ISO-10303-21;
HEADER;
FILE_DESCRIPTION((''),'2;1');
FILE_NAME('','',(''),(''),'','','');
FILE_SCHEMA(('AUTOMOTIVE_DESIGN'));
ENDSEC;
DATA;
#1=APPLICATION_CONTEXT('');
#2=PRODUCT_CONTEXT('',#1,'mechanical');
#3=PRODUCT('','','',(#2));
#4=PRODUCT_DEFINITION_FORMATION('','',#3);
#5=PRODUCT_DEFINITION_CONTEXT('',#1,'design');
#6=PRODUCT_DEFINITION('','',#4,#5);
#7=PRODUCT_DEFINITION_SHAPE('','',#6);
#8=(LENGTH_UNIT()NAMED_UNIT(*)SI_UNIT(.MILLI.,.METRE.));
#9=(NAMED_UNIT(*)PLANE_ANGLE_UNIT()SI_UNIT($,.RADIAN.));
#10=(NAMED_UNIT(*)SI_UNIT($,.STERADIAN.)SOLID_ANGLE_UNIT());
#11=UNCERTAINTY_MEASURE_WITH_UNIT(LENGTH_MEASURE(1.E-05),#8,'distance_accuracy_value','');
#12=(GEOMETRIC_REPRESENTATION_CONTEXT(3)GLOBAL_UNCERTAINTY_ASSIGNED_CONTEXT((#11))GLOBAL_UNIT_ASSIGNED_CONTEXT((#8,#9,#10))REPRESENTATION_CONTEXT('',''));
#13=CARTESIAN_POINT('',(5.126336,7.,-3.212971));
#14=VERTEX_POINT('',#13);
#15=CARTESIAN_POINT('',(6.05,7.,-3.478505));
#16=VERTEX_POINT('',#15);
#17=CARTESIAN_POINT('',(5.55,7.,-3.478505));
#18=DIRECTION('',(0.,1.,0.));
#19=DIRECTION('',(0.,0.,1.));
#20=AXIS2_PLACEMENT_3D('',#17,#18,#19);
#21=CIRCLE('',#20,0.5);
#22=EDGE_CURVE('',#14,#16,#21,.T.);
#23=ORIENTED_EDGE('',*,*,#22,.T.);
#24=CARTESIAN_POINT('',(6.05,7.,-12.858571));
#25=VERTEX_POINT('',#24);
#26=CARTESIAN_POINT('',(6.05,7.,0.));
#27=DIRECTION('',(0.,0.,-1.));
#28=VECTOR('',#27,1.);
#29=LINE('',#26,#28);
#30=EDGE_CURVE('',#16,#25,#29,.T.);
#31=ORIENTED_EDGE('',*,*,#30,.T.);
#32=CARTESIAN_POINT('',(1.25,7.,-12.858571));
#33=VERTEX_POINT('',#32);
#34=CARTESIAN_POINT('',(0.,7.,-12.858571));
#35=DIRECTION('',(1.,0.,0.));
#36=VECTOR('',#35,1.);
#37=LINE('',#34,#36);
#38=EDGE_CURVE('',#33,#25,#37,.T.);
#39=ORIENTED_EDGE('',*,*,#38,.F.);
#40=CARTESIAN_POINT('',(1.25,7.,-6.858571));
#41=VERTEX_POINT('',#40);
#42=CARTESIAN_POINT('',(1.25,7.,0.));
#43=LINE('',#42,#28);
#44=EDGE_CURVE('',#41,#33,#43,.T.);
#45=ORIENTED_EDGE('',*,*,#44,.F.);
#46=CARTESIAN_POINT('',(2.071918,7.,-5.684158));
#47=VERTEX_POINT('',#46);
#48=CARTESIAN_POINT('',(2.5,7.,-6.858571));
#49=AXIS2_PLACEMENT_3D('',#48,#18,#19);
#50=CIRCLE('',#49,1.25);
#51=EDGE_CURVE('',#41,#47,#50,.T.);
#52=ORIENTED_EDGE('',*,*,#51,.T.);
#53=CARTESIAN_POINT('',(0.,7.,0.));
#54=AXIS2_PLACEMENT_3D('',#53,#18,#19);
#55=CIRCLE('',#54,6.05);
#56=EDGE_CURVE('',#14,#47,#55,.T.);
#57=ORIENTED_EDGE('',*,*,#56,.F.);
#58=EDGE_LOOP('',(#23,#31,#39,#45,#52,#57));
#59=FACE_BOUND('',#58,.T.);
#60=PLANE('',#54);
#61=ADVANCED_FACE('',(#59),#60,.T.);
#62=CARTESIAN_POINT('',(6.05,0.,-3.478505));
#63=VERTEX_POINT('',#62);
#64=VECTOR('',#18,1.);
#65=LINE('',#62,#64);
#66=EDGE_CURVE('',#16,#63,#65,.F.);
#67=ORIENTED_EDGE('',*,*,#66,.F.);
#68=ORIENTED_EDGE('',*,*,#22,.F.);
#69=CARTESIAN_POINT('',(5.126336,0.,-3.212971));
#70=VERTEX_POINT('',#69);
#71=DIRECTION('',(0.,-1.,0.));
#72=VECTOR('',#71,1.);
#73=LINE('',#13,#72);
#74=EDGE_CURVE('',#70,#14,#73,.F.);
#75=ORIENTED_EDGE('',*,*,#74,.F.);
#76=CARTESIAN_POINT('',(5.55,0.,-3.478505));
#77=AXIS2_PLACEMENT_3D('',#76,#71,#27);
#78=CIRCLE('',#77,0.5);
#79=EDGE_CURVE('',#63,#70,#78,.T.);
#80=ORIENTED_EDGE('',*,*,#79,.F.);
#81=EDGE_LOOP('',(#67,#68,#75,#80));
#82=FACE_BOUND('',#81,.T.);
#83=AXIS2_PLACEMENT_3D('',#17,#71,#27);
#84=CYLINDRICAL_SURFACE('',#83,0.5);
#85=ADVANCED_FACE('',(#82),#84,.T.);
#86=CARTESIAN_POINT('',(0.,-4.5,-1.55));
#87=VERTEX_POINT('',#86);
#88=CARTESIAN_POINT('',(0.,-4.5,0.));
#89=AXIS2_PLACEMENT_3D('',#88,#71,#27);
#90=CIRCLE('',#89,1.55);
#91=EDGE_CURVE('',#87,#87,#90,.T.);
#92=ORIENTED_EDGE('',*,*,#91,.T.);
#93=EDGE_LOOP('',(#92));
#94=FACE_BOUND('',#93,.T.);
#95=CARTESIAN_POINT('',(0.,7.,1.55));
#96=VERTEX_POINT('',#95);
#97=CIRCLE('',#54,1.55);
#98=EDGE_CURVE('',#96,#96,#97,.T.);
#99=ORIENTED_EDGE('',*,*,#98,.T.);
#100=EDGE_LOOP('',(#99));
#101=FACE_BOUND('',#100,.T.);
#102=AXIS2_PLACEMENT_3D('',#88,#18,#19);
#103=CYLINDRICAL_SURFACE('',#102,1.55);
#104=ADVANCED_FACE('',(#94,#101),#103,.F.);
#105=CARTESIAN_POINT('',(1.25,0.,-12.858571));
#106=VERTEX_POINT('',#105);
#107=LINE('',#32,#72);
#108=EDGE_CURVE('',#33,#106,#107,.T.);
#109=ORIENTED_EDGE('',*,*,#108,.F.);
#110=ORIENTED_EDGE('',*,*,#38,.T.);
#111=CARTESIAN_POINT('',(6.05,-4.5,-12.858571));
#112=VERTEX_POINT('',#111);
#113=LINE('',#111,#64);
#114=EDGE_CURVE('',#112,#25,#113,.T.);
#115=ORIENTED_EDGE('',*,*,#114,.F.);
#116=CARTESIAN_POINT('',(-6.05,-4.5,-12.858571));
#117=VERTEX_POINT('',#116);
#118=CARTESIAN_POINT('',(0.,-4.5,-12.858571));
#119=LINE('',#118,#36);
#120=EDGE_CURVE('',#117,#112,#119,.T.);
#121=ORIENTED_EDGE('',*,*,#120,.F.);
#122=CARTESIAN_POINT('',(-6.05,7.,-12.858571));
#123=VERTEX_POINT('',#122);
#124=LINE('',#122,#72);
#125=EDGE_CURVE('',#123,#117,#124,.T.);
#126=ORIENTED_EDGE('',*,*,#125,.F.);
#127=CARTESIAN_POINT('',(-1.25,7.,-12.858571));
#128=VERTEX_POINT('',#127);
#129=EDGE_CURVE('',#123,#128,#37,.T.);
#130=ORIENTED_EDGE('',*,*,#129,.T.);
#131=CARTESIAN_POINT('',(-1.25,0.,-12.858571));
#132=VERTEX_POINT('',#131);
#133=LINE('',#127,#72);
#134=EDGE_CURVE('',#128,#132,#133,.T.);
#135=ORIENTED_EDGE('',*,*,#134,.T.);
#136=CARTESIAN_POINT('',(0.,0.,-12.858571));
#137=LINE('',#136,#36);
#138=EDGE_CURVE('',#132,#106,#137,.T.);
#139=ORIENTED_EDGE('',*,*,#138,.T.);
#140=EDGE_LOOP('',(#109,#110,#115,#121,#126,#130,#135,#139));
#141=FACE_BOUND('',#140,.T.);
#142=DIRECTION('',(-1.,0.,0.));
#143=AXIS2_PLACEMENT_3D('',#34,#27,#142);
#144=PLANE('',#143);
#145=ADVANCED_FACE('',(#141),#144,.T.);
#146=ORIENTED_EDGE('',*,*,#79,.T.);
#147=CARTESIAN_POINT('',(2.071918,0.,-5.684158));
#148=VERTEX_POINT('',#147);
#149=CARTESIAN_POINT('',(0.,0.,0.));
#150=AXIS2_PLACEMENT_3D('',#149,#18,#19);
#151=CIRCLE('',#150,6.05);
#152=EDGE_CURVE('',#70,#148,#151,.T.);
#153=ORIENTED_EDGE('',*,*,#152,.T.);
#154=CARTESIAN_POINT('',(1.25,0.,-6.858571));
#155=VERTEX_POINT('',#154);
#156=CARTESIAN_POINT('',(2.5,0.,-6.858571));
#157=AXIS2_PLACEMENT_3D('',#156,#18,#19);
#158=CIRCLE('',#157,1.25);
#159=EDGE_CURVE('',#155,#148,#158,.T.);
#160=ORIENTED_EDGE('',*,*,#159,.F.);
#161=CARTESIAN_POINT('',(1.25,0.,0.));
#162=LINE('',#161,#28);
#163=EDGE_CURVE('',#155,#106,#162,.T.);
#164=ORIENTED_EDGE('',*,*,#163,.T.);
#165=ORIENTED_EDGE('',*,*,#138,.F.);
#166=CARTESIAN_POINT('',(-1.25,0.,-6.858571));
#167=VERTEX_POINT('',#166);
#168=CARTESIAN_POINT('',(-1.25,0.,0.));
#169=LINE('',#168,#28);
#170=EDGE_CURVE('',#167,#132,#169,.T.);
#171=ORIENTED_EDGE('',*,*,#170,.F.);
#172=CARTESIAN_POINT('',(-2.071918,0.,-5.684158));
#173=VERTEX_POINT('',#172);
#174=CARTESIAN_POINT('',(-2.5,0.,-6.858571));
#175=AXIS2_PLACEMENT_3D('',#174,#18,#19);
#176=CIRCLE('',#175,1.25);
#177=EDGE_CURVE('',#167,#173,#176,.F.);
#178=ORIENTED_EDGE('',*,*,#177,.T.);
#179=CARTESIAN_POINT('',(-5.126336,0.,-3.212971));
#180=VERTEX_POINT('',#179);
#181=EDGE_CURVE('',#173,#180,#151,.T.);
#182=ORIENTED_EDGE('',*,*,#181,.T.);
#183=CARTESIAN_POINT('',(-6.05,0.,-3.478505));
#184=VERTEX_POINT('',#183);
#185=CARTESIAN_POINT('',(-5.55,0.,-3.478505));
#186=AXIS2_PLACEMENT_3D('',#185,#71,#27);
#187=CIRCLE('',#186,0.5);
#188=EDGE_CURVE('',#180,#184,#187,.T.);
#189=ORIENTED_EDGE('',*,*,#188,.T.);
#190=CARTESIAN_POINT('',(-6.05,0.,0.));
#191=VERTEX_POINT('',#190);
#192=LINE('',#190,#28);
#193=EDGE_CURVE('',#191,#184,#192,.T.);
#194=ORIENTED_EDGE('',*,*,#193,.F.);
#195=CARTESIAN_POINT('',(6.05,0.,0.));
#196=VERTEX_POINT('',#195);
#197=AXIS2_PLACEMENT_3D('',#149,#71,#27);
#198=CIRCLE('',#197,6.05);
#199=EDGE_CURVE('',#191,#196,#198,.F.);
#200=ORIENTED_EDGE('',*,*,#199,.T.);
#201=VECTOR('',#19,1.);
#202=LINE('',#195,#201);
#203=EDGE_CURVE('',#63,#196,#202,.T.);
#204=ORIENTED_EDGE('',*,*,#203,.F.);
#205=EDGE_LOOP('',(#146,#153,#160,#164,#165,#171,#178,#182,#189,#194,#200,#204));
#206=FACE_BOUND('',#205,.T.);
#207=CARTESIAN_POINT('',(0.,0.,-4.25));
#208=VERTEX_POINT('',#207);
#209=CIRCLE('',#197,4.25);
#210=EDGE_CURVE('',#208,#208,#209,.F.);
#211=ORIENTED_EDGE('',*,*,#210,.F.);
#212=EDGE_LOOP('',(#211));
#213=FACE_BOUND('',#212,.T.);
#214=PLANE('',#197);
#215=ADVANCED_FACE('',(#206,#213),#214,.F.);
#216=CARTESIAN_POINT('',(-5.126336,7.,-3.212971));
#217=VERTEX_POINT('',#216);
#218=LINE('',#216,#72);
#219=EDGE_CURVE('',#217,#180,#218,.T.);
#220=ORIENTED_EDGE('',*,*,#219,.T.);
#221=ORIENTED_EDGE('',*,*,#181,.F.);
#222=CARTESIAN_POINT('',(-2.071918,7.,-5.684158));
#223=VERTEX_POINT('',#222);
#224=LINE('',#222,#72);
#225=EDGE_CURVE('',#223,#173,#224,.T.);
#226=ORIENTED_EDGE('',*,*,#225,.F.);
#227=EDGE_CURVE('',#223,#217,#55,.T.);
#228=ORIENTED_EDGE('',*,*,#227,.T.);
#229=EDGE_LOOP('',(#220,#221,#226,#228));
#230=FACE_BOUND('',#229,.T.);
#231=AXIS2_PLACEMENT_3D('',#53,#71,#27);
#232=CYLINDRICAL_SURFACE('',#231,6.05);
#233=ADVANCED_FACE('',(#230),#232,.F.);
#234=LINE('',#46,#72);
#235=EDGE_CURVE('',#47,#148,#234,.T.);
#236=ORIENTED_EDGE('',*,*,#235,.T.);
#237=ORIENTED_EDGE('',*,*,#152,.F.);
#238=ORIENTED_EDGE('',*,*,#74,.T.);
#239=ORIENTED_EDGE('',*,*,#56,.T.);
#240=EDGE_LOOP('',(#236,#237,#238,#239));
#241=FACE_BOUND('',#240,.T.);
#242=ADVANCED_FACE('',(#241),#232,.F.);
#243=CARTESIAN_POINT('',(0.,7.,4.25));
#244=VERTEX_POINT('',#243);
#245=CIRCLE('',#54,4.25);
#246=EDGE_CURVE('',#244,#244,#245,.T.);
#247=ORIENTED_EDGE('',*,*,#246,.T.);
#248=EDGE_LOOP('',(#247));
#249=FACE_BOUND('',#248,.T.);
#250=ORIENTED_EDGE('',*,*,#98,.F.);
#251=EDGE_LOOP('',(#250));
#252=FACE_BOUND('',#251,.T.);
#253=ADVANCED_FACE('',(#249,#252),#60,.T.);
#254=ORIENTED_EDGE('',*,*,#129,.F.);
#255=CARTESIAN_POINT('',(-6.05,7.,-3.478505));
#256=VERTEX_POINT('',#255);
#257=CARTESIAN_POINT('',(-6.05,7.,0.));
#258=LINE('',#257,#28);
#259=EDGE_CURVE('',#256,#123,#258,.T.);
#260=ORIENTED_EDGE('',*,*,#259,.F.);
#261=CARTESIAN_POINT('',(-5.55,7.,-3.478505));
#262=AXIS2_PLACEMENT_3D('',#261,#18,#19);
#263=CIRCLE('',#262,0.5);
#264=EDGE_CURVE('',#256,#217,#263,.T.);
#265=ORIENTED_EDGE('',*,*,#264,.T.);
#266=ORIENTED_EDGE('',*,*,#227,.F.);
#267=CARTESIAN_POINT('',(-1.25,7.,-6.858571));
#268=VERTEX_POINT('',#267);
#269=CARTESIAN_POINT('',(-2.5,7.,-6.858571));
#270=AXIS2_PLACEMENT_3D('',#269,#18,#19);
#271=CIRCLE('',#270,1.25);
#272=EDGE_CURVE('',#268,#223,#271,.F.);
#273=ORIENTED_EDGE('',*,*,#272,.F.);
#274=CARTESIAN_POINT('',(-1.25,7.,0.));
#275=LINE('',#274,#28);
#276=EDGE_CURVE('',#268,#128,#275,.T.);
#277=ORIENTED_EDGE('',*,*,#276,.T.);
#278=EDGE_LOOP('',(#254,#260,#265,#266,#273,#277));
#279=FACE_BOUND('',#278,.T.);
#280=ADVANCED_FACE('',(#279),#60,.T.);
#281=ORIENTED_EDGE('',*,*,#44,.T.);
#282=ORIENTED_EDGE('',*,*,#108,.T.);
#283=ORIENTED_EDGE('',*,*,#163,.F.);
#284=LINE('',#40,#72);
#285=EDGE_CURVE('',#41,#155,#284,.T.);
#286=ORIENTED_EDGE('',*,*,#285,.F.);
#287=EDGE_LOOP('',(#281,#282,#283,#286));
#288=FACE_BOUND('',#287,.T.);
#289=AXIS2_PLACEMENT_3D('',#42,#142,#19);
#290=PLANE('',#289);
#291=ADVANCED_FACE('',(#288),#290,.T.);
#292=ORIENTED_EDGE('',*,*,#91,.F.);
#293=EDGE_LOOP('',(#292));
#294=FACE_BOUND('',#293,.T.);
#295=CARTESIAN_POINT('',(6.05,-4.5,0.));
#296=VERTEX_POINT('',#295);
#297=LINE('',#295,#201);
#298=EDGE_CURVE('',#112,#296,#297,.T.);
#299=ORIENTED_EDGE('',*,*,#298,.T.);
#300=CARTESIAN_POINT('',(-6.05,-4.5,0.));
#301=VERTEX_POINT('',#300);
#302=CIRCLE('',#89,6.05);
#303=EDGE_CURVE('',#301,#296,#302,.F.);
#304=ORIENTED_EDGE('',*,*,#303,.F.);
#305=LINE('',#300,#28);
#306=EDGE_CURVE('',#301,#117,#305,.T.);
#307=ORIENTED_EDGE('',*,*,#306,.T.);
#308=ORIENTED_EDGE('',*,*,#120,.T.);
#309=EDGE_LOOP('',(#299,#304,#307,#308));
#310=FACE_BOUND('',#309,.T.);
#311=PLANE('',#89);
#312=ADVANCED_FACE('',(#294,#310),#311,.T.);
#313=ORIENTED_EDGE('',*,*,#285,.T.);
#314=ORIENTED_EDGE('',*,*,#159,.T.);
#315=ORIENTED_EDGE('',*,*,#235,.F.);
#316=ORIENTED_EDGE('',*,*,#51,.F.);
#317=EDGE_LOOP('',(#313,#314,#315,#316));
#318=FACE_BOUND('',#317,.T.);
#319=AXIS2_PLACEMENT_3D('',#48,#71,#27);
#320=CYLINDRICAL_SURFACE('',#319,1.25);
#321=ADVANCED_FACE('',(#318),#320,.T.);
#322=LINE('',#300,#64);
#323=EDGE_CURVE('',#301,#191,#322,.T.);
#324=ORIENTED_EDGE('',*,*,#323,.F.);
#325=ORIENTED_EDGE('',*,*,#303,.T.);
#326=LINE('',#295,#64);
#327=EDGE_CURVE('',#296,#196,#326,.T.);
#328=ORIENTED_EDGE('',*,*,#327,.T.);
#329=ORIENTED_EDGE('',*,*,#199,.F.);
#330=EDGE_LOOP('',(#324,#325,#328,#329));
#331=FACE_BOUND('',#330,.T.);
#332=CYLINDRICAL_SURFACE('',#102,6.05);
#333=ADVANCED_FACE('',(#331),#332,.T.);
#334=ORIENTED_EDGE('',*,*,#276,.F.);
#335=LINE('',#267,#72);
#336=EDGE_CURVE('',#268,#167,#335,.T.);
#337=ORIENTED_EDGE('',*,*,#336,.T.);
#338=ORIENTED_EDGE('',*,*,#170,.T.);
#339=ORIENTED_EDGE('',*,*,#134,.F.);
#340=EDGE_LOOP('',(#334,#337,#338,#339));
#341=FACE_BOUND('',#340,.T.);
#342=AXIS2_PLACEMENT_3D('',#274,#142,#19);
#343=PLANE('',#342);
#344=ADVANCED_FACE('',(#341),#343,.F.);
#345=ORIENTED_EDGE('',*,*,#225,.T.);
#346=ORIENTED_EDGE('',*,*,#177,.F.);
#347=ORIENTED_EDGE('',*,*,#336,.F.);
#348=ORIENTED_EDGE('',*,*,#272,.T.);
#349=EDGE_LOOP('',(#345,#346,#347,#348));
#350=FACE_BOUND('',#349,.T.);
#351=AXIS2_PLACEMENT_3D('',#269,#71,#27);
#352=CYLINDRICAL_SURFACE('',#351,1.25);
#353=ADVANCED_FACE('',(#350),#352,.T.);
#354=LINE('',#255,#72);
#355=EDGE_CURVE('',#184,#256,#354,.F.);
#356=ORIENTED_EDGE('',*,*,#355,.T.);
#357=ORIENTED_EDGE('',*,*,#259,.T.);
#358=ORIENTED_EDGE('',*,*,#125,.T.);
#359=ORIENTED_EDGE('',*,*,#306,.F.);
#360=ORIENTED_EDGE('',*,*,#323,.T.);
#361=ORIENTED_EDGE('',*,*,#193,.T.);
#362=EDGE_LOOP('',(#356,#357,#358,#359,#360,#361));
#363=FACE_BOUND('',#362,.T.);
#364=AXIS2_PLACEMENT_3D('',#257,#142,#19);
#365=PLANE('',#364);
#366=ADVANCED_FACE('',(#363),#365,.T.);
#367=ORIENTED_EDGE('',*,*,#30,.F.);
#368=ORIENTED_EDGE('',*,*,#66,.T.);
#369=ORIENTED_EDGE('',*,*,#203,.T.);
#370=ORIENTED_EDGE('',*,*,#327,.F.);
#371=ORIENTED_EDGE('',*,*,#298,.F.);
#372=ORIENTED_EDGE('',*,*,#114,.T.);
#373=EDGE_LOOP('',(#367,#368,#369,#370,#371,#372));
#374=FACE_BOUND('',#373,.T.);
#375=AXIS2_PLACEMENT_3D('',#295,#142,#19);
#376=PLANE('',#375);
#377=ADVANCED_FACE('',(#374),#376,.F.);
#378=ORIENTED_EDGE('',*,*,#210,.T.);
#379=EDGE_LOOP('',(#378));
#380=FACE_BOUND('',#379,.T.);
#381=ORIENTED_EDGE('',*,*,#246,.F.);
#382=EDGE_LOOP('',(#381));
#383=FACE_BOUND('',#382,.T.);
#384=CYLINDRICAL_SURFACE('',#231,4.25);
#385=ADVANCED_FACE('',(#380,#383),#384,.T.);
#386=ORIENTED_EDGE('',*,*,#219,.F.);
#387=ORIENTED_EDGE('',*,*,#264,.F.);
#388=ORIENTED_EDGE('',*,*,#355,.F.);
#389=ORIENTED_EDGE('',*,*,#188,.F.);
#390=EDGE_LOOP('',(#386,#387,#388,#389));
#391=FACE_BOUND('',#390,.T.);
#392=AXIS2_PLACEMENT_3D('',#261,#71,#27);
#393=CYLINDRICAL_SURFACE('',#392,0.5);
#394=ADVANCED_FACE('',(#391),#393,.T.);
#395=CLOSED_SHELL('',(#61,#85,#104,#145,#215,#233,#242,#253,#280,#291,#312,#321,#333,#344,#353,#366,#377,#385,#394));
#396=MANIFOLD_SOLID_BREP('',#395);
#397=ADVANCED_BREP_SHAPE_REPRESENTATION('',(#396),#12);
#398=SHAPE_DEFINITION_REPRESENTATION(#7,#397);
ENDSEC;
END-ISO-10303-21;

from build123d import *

# Parameters (mm, degrees)
BOSS_EXTRUDE1_DEPTH   = 7
BOSS_EXTRUDE1_2_DEPTH = 7
SKETCH1_R             = 4.25
SKETCH1_R_2           = 1.55
BOSS_EXTRUDE1_3_DEPTH = 7
BOSS_EXTRUDE2_START   = 4.5
SKETCH2_R             = 1.55
BOSS_EXTRUDE2_DEPTH   = 4.5
FILLET1_R             = 0.5
FILLET2_R             = 0.5


with BuildPart() as part:
    # Sketch1 → Boss-Extrude1 (new body)
    with BuildSketch(Plane(origin=(0, 0, 0), x_dir=(1, 0, 0), z_dir=(0, 1, 0))):
        with BuildLine():
            Line((1.25, 12.8585712797929), (1.25, 6.858571279792899))
            ThreePointArc((1.2499999999999998, 6.858571279792899), (1.4758899620338575, 6.141843555941653), (2.0719178082191787, 5.684158389417402))
            ThreePointArc((2.0719178082191805, 5.6841583894174015), (4.956692583756128, 3.468962183440025), (6.049999999999999, -2e-15))
            Line((6.05, 0), (6.05, 9.006664199358159))
            Line((6.05, 9.006664199358159), (6.05, 9.059732997737507))
            Line((6.05, 9.059732997737507), (6.05, 12.8585712797929))
            Line((6.05, 12.8585712797929), (1.25, 12.8585712797929))
        make_face()
    extrude(amount=BOSS_EXTRUDE1_DEPTH)



with BuildPart() as body_2:
    # Sketch1 → Boss-Extrude1 2 (new body)
    with BuildSketch(Plane(origin=(0, 0, 0), x_dir=(1, 0, 0), z_dir=(0, 1, 0))):
        with BuildLine():
            Line((-1.25, 6.858571279792899), (-1.25, 12.8585712797929))
            Line((-1.25, 12.8585712797929), (-6.05, 12.8585712797929))
            Line((-6.05, 12.8585712797929), (-6.05, 9.006664199358159))
            Line((-6.05, 9.006664199358159), (-6.05, 0))
            ThreePointArc((-6.050000000000002, 2.2e-16), (-4.95669258375613, 3.4689621834400257), (-2.0719178082191787, 5.684158389417403))
            ThreePointArc((-2.0719178082191787, 5.684158389417402), (-1.4758899620338577, 6.141843555941653), (-1.25, 6.858571279792899))
        make_face()
    extrude(amount=BOSS_EXTRUDE1_2_DEPTH)


with BuildPart() as body_3:
    # Sketch1 → Boss-Extrude1 3 (new body)
    with BuildSketch(Plane(origin=(0, 0, 0), x_dir=(1, 0, 0), z_dir=(0, 1, 0))):
        with Locations(Location((0, 0, 0), (0, 0, 270))):
            Circle(SKETCH1_R)
        with Locations(Location((0, 0, 0), (0, 0, 270))):
            Circle(SKETCH1_R_2, mode=Mode.SUBTRACT)
    extrude(amount=BOSS_EXTRUDE1_3_DEPTH)


with BuildPart() as part_1:
    add(part.part)

    add(body_2.part)  # Boss-Extrude2 merges body 2

    add(body_3.part)  # Boss-Extrude2 merges body 3
    # Sketch2 → Boss-Extrude2 (add)
    # profile 1 of 4: a face of its own
    with BuildSketch(Plane.XZ.offset(BOSS_EXTRUDE2_START)):
        with BuildLine():
            Line((-6.05, -12.8585712797929), (-1.25, -12.8585712797929))
            Line((-1.25, -12.8585712797929), (-1.2500000000000002, -6.858571279792899))
            ThreePointArc((-1.2500000000000004, -6.858571279792899), (-1.4758899620338575, -6.141843555941654), (-2.071917808219176, -5.684158389417402))
            ThreePointArc((-2.071917808219175, -5.684158389417403), (-4.956692583756129, -3.468962183440026), (-6.05, 5.2e-16))
            Line((-6.05, 7.4e-16), (-6.05, -12.8585712797929))
        make_face()
    # profile 2 of 4: a face of its own
    with BuildSketch(Plane.XZ.offset(BOSS_EXTRUDE2_START)):
        with BuildLine():
            ThreePointArc((2.071917808219175, -5.684158389417404), (1.4758899620338575, -6.141843555941655), (1.25, -6.858571279792899))
            Line((1.25, -6.858571279792899), (1.25, -12.8585712797929))
            Line((1.25, -12.8585712797929), (6.05, -12.8585712797929))
            Line((6.05, -12.8585712797929), (6.05, 0))
            ThreePointArc((6.05, 0), (4.956692583756128, -3.468962183440026), (2.071917808219175, -5.684158389417404))
        make_face()
    # profile 3 of 4: a face of its own
    with BuildSketch(Plane.XZ.offset(BOSS_EXTRUDE2_START)):
        with BuildLine():
            ThreePointArc((6.05, 0), (-4.956692583756127, 3.468962183440027), (2.071917808219173, -5.684158389417404))
            ThreePointArc((2.071917808219173, -5.684158389417404), (4.956692583756128, -3.468962183440026), (6.05, 0))
        make_face()
        with Locations(Location((0, 0, 0), (0, 0, 90))):
            Circle(SKETCH2_R, mode=Mode.SUBTRACT)
    # profile 4 of 4: a face of its own
    with BuildSketch(Plane.XZ.offset(BOSS_EXTRUDE2_START)):
        with BuildLine():
            Line((-1.25, -12.8585712797929), (1.25, -12.8585712797929))
            Line((1.25, -12.8585712797929), (1.2500000000000007, -6.858571279792899))
            ThreePointArc((1.2500000000000002, -6.858571279792899), (1.475889962033857, -6.141843555941656), (2.0719178082191747, -5.684158389417404))
            ThreePointArc((2.0719178082191734, -5.684158389417404), (-7.8e-16, -6.05), (-2.071917808219175, -5.684158389417403))
            ThreePointArc((-2.071917808219176, -5.684158389417402), (-1.4758899620338575, -6.141843555941654), (-1.2500000000000004, -6.858571279792899))
            Line((-1.2500000000000002, -6.858571279792899), (-1.25, -12.8585712797929))
        make_face()
    extrude(amount=-BOSS_EXTRUDE2_DEPTH)

    # Fillet1
    fillet1_edges = [part_1.edges().sort_by_distance(p)[0] for p in [
        (-6.050000000000001, 3.5, -1.1e-16),
    ]]
    fillet(fillet1_edges, radius=FILLET1_R)

    # Fillet2
    fillet2_edges = [part_1.edges().sort_by_distance(p)[0] for p in [
        (6.05, 3.5, 9.4e-16),
    ]]
    fillet(fillet2_edges, radius=FILLET2_R)


solid = part_1.part
